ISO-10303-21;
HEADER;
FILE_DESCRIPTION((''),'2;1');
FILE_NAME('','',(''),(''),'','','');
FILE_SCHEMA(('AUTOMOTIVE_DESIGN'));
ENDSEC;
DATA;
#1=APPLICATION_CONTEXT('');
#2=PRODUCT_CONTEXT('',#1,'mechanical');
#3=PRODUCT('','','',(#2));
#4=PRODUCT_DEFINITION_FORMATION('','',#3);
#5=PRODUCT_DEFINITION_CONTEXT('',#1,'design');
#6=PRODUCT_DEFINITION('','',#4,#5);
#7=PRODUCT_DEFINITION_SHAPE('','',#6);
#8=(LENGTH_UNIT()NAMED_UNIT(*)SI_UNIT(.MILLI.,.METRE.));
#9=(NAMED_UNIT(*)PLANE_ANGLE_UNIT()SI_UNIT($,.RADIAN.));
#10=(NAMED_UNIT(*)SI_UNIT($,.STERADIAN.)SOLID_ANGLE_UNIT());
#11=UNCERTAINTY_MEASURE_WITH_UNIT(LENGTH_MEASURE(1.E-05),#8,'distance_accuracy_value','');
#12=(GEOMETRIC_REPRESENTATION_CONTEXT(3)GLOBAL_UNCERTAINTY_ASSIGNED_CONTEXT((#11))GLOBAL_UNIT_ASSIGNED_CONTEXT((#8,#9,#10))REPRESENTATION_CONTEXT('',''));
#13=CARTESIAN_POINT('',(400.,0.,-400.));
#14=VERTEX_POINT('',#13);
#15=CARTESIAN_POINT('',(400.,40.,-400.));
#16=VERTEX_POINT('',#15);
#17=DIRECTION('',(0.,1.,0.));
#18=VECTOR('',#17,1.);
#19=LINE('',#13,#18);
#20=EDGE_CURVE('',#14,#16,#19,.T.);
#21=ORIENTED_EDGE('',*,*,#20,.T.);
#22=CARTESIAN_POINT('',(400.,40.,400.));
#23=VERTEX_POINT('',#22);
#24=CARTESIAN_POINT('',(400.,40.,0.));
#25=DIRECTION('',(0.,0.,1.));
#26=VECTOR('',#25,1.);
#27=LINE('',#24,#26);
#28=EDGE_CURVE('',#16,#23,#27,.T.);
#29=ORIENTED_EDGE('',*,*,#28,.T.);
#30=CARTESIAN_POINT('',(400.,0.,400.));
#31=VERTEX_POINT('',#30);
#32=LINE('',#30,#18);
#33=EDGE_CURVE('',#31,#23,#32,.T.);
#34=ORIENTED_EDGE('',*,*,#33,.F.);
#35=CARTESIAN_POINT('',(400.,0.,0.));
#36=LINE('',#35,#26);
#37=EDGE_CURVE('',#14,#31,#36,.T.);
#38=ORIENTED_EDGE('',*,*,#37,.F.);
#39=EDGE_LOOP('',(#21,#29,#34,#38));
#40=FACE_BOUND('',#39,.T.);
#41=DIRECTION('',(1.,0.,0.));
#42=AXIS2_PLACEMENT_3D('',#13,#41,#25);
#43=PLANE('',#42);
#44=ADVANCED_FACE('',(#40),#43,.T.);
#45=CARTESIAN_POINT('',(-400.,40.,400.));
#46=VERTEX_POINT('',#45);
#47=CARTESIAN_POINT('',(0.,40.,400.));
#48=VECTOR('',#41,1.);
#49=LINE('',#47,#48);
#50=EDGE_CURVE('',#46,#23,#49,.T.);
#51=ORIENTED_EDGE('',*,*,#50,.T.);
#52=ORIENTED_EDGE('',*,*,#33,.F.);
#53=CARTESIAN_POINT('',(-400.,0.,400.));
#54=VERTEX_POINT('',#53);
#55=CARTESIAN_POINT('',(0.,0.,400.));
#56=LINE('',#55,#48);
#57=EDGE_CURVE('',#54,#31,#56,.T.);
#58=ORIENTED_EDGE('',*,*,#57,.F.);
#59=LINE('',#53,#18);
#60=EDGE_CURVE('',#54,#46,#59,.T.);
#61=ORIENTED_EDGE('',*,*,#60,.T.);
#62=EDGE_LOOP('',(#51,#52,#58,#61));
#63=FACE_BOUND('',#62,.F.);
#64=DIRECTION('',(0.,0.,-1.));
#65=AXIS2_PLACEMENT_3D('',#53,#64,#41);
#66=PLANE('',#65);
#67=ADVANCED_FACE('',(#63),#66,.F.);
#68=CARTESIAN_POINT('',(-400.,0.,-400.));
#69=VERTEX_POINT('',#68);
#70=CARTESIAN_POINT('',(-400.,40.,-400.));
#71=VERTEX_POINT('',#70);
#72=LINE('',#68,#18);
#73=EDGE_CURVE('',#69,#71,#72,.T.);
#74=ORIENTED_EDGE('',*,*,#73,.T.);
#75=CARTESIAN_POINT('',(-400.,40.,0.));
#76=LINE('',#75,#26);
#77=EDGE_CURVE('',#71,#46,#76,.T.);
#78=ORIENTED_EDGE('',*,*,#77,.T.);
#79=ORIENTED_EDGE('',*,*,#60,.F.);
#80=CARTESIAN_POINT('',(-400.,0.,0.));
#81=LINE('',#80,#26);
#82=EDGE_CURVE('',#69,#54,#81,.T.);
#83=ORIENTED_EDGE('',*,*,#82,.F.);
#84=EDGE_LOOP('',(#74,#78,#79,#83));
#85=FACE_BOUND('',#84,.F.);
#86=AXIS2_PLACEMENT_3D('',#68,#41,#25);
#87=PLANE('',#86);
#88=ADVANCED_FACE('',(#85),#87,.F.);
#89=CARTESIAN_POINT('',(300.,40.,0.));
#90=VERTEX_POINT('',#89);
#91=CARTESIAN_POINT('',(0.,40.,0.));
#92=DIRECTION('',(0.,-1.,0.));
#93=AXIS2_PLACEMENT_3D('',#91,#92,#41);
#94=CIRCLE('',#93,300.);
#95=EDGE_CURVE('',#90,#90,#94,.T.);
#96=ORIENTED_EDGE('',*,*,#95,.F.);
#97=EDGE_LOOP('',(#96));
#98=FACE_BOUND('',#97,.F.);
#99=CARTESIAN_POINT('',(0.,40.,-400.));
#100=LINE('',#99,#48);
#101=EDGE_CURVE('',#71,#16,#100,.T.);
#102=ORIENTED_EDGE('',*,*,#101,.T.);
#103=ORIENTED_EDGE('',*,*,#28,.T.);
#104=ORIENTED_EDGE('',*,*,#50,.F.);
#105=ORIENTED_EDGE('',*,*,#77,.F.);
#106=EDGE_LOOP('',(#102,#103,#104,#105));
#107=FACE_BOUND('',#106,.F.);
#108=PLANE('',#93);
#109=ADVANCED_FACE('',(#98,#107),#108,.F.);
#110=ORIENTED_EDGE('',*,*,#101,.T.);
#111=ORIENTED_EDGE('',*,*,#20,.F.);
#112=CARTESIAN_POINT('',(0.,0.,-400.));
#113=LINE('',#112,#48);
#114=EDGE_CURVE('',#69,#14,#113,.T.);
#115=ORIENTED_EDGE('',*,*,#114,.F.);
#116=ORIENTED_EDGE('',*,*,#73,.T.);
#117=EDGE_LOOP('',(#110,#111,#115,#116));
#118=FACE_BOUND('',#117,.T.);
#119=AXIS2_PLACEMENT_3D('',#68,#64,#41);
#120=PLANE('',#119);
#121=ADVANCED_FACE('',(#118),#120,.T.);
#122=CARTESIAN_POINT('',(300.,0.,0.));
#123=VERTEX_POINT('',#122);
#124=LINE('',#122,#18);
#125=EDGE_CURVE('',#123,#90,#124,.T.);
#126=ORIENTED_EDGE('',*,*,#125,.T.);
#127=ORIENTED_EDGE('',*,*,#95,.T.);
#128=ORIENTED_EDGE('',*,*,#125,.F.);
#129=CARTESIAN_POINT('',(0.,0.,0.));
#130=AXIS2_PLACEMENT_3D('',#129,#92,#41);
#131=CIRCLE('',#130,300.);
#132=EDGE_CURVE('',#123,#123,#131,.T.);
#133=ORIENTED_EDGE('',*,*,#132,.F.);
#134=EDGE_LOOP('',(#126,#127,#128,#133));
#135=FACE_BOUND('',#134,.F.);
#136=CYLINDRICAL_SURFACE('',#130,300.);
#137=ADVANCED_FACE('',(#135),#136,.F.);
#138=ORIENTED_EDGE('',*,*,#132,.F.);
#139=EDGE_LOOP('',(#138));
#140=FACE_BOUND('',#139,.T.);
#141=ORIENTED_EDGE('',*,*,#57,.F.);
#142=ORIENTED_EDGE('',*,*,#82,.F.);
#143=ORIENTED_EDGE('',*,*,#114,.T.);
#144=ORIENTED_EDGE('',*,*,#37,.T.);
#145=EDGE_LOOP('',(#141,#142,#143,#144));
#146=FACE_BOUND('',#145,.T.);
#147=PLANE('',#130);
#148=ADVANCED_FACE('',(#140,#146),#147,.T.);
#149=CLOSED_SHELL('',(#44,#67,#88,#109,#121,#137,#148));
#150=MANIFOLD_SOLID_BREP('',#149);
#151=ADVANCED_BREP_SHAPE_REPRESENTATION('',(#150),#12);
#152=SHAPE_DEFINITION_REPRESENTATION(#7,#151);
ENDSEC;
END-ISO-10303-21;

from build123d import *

# Parameters (mm, degrees)
F0_W     = 800
F0_H     = 800
F1_DEPTH = 40
F2_R     = 300
F3_DEPTH = 40


with BuildPart() as f1:
    # F0 (on Front) → F1 (new body)
    with BuildSketch(Plane.XZ):
        Rectangle(F0_W, F0_H)
    extrude(amount=-F1_DEPTH)

    # F2 (on face) → F3 (cut)
    with BuildSketch(Plane.XZ):
        Circle(F2_R)
    extrude(amount=-F3_DEPTH, mode=Mode.SUBTRACT)


solid = f1.part
